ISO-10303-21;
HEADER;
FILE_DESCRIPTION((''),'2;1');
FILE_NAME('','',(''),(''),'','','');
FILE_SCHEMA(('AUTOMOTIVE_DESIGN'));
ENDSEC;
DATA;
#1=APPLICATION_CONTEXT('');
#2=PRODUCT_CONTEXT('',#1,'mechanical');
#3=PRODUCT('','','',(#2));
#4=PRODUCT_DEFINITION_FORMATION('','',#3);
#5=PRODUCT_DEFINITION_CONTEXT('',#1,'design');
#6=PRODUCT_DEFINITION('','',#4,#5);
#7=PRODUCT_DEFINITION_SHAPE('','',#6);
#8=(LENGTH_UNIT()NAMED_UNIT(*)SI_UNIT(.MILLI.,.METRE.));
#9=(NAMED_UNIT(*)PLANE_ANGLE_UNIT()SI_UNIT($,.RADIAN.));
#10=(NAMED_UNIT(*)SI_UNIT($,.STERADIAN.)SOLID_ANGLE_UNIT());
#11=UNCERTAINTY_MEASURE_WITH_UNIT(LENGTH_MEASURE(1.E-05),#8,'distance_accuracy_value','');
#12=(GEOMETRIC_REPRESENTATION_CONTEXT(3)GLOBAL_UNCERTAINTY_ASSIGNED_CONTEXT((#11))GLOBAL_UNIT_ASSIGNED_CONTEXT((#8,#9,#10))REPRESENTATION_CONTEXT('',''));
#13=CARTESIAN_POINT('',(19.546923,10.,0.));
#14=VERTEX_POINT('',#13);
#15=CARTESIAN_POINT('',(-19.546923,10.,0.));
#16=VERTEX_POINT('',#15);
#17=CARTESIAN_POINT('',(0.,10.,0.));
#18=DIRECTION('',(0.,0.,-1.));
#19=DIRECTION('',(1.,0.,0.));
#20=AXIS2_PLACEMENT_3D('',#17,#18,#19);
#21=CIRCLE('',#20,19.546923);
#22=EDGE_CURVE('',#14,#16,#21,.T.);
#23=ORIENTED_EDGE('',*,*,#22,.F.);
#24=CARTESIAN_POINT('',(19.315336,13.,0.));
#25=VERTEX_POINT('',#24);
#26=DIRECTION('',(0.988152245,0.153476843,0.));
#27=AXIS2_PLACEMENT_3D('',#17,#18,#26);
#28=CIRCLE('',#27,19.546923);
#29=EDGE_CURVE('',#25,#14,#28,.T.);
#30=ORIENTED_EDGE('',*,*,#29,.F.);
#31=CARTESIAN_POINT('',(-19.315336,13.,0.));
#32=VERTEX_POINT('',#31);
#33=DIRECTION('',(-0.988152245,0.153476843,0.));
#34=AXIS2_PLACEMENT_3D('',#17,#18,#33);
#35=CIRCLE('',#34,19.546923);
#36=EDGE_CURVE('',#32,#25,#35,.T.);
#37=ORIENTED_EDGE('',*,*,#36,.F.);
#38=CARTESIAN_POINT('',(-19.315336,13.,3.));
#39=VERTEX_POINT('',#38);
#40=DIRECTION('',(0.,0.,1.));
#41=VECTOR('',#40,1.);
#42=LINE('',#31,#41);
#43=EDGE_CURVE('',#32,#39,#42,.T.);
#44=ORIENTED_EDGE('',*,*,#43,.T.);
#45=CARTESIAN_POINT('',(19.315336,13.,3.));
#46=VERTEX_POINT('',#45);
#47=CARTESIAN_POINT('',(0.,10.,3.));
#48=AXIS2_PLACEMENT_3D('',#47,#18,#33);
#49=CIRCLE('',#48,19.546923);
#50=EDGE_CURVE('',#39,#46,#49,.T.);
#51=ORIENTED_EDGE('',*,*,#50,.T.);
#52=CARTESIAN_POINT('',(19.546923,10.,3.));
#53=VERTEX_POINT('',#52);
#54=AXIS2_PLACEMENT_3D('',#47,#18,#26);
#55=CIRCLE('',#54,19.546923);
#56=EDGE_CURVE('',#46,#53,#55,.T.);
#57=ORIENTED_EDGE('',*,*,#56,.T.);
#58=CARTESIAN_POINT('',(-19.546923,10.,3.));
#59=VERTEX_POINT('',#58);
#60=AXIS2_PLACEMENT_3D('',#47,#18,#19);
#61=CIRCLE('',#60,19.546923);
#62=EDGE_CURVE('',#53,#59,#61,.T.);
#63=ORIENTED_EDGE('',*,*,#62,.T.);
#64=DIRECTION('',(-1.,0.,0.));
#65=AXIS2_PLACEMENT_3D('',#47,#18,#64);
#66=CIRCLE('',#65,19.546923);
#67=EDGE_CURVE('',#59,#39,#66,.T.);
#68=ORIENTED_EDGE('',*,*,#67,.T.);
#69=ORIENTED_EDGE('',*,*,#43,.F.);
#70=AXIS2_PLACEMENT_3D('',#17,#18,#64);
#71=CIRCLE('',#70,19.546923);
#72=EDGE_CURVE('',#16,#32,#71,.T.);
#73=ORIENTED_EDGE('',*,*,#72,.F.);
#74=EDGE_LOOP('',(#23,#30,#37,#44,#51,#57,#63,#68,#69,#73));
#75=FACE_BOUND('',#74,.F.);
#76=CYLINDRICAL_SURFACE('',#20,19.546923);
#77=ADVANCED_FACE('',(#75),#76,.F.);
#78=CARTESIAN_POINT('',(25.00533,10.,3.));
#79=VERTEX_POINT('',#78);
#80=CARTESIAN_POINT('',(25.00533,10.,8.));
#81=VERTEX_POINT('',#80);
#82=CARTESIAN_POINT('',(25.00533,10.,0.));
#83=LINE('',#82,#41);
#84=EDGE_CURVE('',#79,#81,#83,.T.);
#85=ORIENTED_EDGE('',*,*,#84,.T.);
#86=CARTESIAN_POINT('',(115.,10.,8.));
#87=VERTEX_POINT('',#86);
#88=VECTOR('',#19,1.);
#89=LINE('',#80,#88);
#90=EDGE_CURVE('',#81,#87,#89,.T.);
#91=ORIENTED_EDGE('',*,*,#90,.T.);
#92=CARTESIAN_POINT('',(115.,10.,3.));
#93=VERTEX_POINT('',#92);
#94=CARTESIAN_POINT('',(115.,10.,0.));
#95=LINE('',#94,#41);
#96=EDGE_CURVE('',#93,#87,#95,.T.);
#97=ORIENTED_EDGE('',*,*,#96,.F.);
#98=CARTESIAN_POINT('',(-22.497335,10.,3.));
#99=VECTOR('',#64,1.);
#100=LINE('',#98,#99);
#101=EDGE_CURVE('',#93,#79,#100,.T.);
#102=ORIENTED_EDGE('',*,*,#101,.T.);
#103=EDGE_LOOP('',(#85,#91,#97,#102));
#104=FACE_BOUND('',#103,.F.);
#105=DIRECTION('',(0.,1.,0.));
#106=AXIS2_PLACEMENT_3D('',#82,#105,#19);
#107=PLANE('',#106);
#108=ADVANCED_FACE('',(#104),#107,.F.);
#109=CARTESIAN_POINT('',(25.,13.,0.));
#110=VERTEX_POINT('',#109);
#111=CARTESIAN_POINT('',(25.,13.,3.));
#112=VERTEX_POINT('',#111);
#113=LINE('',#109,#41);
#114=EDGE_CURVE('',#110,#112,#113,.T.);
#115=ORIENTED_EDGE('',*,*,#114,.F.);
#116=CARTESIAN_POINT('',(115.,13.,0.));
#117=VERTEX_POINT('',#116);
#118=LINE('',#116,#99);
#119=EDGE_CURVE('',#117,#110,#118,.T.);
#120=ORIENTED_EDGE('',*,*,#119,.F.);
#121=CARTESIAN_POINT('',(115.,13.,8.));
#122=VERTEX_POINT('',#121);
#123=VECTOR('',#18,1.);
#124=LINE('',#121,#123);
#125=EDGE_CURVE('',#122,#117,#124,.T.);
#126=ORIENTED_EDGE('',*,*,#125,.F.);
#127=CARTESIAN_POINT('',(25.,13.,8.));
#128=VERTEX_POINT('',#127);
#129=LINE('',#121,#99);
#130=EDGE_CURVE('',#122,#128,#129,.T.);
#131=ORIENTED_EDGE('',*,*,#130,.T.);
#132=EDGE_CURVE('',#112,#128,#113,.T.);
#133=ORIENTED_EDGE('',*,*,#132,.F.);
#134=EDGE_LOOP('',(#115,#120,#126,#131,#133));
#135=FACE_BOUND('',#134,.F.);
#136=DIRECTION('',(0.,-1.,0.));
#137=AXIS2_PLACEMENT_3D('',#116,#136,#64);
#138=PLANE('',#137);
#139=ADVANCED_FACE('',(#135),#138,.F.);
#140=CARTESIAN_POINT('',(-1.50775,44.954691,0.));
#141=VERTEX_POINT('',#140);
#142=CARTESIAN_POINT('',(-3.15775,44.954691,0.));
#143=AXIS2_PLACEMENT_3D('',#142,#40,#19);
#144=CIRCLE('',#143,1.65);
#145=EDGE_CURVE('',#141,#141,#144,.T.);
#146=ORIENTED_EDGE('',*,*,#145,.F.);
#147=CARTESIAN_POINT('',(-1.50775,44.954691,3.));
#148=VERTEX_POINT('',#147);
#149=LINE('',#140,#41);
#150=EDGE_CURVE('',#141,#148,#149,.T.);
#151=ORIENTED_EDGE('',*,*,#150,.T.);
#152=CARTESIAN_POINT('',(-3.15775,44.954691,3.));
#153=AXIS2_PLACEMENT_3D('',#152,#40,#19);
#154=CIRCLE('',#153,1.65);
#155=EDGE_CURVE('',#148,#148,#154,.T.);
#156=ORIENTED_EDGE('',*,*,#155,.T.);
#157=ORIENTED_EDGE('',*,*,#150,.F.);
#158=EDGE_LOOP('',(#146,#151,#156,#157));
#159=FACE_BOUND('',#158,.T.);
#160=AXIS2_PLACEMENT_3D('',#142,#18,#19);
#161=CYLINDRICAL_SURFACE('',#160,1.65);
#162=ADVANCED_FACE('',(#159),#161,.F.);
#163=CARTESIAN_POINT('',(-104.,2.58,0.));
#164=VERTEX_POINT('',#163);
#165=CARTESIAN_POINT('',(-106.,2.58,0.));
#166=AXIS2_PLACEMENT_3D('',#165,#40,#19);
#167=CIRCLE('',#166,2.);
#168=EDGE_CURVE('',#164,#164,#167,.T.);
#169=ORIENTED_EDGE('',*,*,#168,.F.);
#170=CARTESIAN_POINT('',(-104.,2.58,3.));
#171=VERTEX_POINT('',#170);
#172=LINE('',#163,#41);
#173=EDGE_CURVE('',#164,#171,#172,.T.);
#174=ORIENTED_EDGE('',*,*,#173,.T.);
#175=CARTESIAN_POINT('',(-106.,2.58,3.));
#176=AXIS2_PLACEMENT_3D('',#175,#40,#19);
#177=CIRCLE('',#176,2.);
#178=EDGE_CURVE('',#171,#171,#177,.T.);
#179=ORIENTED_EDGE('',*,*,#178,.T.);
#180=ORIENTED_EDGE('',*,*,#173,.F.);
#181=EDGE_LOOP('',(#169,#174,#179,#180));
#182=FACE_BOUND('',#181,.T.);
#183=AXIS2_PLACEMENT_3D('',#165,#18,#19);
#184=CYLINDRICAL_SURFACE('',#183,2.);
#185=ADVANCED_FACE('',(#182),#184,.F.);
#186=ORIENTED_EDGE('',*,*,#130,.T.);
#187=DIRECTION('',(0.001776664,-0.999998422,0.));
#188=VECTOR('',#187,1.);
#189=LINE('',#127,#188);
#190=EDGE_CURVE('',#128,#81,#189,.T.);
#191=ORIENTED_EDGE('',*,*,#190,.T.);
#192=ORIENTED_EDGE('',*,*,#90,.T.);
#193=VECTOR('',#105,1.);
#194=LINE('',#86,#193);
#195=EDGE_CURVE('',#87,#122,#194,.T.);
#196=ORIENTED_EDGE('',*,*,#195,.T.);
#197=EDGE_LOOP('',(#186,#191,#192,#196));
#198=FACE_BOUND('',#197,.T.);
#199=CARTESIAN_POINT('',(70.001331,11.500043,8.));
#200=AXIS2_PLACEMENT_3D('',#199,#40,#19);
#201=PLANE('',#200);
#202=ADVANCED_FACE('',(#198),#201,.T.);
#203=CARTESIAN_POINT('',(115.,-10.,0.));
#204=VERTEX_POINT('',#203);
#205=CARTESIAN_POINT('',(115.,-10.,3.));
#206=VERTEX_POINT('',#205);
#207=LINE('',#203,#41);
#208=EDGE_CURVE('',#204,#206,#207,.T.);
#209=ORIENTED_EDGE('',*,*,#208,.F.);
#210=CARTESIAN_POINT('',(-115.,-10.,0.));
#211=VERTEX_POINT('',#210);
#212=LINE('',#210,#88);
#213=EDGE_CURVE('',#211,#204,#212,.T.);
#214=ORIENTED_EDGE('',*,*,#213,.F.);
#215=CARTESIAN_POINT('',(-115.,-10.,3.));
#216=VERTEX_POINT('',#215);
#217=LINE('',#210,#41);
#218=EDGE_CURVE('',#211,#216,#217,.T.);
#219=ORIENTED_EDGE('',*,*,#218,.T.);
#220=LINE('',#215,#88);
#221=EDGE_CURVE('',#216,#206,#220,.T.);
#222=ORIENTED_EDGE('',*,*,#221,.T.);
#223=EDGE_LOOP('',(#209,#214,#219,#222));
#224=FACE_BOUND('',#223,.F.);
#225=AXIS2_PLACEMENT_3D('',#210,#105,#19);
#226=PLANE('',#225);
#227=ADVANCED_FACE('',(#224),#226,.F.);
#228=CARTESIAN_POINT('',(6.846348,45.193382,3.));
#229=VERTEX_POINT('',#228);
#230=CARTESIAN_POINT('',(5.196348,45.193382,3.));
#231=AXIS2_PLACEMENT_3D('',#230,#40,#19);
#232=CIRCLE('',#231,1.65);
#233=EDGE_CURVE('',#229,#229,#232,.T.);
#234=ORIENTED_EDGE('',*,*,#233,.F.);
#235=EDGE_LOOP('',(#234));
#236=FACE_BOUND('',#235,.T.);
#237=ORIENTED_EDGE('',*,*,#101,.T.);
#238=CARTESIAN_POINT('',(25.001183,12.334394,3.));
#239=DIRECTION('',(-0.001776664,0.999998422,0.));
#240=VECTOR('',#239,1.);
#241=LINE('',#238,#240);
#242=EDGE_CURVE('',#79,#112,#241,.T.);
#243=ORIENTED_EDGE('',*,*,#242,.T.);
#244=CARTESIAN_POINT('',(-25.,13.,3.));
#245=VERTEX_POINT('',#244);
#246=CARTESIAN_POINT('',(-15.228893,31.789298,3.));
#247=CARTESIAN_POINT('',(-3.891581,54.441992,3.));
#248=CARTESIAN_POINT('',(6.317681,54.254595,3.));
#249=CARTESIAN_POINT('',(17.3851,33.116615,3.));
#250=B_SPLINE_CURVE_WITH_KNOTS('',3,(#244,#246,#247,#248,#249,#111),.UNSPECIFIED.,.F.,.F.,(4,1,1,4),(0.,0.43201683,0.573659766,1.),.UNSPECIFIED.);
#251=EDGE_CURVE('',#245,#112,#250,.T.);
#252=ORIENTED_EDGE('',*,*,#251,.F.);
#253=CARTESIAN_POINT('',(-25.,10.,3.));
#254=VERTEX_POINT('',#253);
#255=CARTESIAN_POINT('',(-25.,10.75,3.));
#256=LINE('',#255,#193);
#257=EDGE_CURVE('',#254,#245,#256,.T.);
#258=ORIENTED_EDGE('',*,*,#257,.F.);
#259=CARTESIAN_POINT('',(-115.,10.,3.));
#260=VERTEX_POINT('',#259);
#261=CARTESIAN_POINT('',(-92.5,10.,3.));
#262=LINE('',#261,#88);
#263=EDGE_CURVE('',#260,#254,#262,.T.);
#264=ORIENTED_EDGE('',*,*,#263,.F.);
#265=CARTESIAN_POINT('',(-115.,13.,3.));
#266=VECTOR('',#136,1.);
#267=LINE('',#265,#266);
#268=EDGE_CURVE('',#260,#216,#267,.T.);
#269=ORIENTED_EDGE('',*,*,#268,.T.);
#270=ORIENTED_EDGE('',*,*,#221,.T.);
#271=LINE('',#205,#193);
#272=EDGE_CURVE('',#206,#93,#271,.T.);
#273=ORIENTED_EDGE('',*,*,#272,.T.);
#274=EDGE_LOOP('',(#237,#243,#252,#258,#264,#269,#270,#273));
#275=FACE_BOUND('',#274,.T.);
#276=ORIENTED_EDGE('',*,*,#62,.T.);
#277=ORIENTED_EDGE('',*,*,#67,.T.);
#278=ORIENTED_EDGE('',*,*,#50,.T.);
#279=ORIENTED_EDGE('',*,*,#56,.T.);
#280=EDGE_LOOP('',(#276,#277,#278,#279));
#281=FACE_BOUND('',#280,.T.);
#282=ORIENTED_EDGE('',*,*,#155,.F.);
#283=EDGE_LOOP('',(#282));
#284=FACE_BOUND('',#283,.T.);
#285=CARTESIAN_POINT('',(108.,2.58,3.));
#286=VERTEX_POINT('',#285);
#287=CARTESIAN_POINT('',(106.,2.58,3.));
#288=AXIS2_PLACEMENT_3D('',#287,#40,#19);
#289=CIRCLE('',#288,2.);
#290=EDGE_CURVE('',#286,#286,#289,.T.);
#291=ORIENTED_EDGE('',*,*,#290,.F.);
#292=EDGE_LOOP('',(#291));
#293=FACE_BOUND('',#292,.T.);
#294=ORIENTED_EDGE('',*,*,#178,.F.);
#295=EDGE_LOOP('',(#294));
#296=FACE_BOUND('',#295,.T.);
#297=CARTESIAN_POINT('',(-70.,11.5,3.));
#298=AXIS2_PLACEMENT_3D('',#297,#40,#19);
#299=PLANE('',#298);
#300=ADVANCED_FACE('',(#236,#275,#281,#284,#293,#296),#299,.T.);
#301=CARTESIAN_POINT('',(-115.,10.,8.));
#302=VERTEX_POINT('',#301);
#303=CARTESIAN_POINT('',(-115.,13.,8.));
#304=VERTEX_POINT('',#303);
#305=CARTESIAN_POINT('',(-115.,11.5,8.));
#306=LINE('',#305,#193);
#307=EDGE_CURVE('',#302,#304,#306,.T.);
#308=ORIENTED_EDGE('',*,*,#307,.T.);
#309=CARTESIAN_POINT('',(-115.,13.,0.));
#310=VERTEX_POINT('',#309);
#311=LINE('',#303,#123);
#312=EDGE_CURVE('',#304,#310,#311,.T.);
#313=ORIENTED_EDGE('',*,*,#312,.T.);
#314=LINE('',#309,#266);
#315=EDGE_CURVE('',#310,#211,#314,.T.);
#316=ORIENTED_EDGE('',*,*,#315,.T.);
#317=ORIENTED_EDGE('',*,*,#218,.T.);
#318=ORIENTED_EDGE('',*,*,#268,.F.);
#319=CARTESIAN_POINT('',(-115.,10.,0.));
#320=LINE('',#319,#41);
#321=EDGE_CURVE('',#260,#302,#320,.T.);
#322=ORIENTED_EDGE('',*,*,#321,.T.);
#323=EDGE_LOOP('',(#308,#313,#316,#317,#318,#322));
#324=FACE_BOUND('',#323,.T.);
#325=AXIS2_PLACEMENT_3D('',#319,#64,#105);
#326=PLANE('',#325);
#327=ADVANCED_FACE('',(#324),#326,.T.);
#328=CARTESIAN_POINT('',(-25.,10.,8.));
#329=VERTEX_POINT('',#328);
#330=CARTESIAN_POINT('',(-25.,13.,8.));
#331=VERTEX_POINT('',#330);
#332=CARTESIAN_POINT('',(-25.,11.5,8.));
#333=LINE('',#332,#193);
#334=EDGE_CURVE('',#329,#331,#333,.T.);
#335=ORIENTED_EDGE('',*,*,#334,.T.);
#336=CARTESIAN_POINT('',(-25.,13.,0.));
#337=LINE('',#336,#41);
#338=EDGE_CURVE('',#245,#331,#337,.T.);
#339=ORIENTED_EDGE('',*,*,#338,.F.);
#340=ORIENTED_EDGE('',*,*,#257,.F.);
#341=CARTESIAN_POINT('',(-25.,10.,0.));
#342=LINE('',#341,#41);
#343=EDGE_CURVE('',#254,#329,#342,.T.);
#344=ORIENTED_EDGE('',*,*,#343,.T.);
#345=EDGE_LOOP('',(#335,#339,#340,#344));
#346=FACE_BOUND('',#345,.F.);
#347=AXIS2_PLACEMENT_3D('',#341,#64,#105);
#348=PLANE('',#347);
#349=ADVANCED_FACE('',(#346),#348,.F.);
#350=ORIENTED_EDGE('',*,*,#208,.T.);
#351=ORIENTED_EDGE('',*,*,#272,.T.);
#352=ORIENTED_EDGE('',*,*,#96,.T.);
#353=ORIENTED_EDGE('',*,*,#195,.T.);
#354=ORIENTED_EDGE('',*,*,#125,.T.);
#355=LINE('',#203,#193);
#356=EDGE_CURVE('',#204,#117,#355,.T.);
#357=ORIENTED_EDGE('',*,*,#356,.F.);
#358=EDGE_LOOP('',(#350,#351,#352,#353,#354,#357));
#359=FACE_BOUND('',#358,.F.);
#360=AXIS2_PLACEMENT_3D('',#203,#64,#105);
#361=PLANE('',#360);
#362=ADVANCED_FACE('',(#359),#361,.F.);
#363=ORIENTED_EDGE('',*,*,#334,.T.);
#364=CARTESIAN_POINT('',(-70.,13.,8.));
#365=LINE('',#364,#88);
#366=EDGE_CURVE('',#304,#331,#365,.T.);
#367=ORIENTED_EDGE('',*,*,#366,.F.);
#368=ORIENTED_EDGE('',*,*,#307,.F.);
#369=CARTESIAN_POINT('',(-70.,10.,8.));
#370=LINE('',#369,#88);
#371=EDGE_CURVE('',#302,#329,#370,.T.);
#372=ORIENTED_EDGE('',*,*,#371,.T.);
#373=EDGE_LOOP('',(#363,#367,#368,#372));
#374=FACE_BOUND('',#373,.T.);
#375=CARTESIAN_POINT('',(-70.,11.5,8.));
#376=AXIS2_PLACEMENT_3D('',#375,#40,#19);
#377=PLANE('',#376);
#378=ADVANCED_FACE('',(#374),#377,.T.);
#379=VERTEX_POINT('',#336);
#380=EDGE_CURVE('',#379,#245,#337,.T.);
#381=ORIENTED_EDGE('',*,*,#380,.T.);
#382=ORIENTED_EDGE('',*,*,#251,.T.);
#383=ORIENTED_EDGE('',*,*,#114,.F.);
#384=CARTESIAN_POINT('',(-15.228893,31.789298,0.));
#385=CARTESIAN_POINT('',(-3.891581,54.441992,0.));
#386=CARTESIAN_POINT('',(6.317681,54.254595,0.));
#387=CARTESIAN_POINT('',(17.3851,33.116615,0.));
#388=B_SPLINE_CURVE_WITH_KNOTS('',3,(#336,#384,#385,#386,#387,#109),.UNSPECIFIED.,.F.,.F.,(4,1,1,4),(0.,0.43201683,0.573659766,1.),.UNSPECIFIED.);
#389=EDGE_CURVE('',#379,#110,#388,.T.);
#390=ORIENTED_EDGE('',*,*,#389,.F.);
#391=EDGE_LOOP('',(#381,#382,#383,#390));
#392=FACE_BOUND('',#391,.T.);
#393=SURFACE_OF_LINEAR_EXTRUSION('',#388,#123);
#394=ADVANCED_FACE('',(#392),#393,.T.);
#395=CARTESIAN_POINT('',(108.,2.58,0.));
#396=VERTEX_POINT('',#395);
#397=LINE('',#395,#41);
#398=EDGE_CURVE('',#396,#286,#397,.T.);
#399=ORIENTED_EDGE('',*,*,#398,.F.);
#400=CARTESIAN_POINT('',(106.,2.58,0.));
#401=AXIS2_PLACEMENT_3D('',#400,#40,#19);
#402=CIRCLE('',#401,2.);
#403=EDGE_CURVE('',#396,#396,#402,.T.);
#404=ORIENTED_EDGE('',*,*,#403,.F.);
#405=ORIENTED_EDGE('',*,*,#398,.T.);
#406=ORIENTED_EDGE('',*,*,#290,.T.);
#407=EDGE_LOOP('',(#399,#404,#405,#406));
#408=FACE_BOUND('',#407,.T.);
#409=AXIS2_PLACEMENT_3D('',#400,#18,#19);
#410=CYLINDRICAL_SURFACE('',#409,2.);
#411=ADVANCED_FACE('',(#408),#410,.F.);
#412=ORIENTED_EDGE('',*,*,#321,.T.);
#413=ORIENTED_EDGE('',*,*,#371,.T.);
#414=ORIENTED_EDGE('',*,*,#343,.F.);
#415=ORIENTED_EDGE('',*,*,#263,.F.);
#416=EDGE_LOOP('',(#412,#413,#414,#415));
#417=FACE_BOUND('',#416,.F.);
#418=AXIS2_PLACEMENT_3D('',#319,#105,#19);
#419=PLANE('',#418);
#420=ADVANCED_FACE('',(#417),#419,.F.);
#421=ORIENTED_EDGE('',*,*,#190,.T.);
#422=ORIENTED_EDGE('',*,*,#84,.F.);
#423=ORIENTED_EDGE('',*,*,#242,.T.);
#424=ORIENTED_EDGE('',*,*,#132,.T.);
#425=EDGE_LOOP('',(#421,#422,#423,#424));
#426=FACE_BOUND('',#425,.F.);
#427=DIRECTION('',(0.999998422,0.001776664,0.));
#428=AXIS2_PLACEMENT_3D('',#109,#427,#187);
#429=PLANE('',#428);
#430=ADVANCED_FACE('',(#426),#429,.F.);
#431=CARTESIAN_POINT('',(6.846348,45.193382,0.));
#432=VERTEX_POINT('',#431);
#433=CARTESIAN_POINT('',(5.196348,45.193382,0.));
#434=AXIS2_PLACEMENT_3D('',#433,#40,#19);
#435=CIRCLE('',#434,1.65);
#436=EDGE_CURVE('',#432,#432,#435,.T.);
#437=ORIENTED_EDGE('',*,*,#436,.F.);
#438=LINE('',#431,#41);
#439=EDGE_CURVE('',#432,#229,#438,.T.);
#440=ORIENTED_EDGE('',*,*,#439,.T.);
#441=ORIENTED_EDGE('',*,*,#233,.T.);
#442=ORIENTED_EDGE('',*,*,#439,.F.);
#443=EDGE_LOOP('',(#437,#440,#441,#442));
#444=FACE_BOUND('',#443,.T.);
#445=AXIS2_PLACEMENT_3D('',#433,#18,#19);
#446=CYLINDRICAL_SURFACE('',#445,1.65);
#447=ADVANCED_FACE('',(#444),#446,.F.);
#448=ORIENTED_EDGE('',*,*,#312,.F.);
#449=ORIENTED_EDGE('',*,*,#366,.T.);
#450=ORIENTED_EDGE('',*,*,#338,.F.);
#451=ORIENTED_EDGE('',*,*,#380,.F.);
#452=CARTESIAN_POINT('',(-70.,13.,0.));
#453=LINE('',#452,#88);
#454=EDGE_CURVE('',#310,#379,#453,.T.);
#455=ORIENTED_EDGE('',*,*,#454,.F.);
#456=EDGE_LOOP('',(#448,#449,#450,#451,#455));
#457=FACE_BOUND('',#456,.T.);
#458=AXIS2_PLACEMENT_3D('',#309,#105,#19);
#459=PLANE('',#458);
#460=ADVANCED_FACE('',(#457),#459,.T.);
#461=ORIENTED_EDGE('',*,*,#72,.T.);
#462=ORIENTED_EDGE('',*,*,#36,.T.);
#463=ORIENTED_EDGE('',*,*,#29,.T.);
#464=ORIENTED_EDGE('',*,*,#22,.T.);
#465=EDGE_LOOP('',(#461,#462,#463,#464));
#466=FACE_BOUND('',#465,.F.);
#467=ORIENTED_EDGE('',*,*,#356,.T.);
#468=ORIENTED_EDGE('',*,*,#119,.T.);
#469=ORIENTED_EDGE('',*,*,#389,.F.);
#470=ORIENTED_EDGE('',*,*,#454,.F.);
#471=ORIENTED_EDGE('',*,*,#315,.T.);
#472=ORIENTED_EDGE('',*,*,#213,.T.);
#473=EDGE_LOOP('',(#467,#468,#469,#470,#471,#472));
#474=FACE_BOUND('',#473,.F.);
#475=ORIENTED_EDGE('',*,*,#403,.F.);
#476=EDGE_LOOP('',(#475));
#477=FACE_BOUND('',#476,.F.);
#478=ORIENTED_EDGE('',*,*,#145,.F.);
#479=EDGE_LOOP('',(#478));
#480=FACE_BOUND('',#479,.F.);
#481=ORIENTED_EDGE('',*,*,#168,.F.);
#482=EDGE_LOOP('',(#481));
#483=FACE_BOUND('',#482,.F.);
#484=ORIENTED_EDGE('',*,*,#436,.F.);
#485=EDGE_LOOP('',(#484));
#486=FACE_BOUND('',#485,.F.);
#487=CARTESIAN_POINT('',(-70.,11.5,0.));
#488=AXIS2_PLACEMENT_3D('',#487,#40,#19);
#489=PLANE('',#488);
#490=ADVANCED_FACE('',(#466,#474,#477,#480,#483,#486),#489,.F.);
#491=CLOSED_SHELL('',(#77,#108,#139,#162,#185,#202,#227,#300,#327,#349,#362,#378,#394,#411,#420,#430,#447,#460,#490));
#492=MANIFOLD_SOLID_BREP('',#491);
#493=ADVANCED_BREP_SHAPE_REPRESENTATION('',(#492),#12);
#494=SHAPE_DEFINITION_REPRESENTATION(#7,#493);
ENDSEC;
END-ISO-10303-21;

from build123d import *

# Parameters (mm, degrees)
F0_R     = 2
F1_DEPTH = 2
F0_W     = 90
F0_H     = 3
F2_DEPTH = 8
F0_R_2   = 1.65
F3_DEPTH = 3
F4_DEPTH = 8


with BuildPart() as f1:
    # F0 (on Top) → F1 (new body)
    with BuildSketch(Plane.XY):
        with BuildLine():
            Line((-25, 10), (-115, 10))
            Line((-115, 10), (-115, -10))
            Line((-115, -10), (115, -10))
            Line((115, -10), (115, 10))
            Line((115, 10), (25.00533, 10))
            Line((25.00533, 10), (19.5469227509, 10))
            ThreePointArc((19.5469227509, 10), (0, -9.5469227509), (-19.5469227509, 10))
            Line((-19.5469227509, 10), (-25, 10))
        make_face()
        with Locations((-106, 2.58)):
            Circle(F0_R, mode=Mode.SUBTRACT)
        with Locations((106, 2.58)):
            Circle(F0_R, mode=Mode.SUBTRACT)
    extrude(amount=F1_DEPTH)

    # F0 (on Top) → F2 (join)
    with BuildSketch(Plane.XY):
        with Locations((-70, 11.5)):
            Rectangle(F0_W, F0_H)
    extrude(amount=F2_DEPTH)

    # F0 (on Top) → F3 (join)
    with BuildSketch(Plane.XY):
        with Locations((-70, 11.5)):
            Rectangle(F0_W, F0_H)
        with BuildLine():
            Line((-25, 10), (-115, 10))
            Line((-115, 10), (-115, -10))
            Line((-115, -10), (115, -10))
            Line((115, -10), (115, 10))
            Line((115, 10), (25.00533, 10))
            Line((25.00533, 10), (19.5469227509, 10))
            ThreePointArc((19.5469227509, 10), (0, -9.5469227509), (-19.5469227509, 10))
            Line((-19.5469227509, 10), (-25, 10))
        make_face()
        with Locations((-106, 2.58)):
            Circle(F0_R, mode=Mode.SUBTRACT)
        with Locations((106, 2.58)):
            Circle(F0_R, mode=Mode.SUBTRACT)
        with BuildLine():
            Line((-25, 13), (-25, 10))
            Line((-25, 10), (-19.5469227509, 10))
            ThreePointArc((-19.5469227509, 10), (-19.4889399629, 11.5044627456), (-19.3153355919, 13))
            Line((-19.3153355919, 13), (-25, 13))
        make_face()
        with BuildLine():
            add(Edge.make_bspline(
                [(-25, 13), (-15.2288932053, 31.7892976505), (-3.8915806674, 54.4419920661), (6.3176813113, 54.2545952389), (17.3850999523, 33.1166154585), (25, 13)],
                knots=[0, 0, 0, 0, 0.4320168298, 0.5736597665, 1, 1, 1, 1], degree=3))
            Line((-25, 13), (-19.3153355919, 13))
            ThreePointArc((-19.3153355919, 13), (0, 29.5469227509), (19.3153355919, 13))
            Line((19.3153355919, 13), (25, 13))
        make_face()
        with Locations((-3.1577504706, 44.9546910822)):
            Circle(F0_R_2, mode=Mode.SUBTRACT)
        with Locations((5.1963478327, 45.1933816075)):
            Circle(F0_R_2, mode=Mode.SUBTRACT)
        with BuildLine():
            ThreePointArc((19.3153355919, 13), (19.4889399629, 11.5044627456), (19.5469227509, 10))
            Line((19.5469227509, 10), (25.00533, 10))
            Line((25.00533, 10), (25, 13))
            Line((25, 13), (19.3153355919, 13))
        make_face()
        Polygon((115, 13), (25, 13), (25.00533, 10), (115, 10), align=None)
    extrude(amount=F3_DEPTH)

    # F0 (on Top) → F4 (join)
    with BuildSketch(Plane.XY):
        Polygon((115, 13), (25, 13), (25.00533, 10), (115, 10), align=None)
    extrude(amount=F4_DEPTH)


solid = f1.part
